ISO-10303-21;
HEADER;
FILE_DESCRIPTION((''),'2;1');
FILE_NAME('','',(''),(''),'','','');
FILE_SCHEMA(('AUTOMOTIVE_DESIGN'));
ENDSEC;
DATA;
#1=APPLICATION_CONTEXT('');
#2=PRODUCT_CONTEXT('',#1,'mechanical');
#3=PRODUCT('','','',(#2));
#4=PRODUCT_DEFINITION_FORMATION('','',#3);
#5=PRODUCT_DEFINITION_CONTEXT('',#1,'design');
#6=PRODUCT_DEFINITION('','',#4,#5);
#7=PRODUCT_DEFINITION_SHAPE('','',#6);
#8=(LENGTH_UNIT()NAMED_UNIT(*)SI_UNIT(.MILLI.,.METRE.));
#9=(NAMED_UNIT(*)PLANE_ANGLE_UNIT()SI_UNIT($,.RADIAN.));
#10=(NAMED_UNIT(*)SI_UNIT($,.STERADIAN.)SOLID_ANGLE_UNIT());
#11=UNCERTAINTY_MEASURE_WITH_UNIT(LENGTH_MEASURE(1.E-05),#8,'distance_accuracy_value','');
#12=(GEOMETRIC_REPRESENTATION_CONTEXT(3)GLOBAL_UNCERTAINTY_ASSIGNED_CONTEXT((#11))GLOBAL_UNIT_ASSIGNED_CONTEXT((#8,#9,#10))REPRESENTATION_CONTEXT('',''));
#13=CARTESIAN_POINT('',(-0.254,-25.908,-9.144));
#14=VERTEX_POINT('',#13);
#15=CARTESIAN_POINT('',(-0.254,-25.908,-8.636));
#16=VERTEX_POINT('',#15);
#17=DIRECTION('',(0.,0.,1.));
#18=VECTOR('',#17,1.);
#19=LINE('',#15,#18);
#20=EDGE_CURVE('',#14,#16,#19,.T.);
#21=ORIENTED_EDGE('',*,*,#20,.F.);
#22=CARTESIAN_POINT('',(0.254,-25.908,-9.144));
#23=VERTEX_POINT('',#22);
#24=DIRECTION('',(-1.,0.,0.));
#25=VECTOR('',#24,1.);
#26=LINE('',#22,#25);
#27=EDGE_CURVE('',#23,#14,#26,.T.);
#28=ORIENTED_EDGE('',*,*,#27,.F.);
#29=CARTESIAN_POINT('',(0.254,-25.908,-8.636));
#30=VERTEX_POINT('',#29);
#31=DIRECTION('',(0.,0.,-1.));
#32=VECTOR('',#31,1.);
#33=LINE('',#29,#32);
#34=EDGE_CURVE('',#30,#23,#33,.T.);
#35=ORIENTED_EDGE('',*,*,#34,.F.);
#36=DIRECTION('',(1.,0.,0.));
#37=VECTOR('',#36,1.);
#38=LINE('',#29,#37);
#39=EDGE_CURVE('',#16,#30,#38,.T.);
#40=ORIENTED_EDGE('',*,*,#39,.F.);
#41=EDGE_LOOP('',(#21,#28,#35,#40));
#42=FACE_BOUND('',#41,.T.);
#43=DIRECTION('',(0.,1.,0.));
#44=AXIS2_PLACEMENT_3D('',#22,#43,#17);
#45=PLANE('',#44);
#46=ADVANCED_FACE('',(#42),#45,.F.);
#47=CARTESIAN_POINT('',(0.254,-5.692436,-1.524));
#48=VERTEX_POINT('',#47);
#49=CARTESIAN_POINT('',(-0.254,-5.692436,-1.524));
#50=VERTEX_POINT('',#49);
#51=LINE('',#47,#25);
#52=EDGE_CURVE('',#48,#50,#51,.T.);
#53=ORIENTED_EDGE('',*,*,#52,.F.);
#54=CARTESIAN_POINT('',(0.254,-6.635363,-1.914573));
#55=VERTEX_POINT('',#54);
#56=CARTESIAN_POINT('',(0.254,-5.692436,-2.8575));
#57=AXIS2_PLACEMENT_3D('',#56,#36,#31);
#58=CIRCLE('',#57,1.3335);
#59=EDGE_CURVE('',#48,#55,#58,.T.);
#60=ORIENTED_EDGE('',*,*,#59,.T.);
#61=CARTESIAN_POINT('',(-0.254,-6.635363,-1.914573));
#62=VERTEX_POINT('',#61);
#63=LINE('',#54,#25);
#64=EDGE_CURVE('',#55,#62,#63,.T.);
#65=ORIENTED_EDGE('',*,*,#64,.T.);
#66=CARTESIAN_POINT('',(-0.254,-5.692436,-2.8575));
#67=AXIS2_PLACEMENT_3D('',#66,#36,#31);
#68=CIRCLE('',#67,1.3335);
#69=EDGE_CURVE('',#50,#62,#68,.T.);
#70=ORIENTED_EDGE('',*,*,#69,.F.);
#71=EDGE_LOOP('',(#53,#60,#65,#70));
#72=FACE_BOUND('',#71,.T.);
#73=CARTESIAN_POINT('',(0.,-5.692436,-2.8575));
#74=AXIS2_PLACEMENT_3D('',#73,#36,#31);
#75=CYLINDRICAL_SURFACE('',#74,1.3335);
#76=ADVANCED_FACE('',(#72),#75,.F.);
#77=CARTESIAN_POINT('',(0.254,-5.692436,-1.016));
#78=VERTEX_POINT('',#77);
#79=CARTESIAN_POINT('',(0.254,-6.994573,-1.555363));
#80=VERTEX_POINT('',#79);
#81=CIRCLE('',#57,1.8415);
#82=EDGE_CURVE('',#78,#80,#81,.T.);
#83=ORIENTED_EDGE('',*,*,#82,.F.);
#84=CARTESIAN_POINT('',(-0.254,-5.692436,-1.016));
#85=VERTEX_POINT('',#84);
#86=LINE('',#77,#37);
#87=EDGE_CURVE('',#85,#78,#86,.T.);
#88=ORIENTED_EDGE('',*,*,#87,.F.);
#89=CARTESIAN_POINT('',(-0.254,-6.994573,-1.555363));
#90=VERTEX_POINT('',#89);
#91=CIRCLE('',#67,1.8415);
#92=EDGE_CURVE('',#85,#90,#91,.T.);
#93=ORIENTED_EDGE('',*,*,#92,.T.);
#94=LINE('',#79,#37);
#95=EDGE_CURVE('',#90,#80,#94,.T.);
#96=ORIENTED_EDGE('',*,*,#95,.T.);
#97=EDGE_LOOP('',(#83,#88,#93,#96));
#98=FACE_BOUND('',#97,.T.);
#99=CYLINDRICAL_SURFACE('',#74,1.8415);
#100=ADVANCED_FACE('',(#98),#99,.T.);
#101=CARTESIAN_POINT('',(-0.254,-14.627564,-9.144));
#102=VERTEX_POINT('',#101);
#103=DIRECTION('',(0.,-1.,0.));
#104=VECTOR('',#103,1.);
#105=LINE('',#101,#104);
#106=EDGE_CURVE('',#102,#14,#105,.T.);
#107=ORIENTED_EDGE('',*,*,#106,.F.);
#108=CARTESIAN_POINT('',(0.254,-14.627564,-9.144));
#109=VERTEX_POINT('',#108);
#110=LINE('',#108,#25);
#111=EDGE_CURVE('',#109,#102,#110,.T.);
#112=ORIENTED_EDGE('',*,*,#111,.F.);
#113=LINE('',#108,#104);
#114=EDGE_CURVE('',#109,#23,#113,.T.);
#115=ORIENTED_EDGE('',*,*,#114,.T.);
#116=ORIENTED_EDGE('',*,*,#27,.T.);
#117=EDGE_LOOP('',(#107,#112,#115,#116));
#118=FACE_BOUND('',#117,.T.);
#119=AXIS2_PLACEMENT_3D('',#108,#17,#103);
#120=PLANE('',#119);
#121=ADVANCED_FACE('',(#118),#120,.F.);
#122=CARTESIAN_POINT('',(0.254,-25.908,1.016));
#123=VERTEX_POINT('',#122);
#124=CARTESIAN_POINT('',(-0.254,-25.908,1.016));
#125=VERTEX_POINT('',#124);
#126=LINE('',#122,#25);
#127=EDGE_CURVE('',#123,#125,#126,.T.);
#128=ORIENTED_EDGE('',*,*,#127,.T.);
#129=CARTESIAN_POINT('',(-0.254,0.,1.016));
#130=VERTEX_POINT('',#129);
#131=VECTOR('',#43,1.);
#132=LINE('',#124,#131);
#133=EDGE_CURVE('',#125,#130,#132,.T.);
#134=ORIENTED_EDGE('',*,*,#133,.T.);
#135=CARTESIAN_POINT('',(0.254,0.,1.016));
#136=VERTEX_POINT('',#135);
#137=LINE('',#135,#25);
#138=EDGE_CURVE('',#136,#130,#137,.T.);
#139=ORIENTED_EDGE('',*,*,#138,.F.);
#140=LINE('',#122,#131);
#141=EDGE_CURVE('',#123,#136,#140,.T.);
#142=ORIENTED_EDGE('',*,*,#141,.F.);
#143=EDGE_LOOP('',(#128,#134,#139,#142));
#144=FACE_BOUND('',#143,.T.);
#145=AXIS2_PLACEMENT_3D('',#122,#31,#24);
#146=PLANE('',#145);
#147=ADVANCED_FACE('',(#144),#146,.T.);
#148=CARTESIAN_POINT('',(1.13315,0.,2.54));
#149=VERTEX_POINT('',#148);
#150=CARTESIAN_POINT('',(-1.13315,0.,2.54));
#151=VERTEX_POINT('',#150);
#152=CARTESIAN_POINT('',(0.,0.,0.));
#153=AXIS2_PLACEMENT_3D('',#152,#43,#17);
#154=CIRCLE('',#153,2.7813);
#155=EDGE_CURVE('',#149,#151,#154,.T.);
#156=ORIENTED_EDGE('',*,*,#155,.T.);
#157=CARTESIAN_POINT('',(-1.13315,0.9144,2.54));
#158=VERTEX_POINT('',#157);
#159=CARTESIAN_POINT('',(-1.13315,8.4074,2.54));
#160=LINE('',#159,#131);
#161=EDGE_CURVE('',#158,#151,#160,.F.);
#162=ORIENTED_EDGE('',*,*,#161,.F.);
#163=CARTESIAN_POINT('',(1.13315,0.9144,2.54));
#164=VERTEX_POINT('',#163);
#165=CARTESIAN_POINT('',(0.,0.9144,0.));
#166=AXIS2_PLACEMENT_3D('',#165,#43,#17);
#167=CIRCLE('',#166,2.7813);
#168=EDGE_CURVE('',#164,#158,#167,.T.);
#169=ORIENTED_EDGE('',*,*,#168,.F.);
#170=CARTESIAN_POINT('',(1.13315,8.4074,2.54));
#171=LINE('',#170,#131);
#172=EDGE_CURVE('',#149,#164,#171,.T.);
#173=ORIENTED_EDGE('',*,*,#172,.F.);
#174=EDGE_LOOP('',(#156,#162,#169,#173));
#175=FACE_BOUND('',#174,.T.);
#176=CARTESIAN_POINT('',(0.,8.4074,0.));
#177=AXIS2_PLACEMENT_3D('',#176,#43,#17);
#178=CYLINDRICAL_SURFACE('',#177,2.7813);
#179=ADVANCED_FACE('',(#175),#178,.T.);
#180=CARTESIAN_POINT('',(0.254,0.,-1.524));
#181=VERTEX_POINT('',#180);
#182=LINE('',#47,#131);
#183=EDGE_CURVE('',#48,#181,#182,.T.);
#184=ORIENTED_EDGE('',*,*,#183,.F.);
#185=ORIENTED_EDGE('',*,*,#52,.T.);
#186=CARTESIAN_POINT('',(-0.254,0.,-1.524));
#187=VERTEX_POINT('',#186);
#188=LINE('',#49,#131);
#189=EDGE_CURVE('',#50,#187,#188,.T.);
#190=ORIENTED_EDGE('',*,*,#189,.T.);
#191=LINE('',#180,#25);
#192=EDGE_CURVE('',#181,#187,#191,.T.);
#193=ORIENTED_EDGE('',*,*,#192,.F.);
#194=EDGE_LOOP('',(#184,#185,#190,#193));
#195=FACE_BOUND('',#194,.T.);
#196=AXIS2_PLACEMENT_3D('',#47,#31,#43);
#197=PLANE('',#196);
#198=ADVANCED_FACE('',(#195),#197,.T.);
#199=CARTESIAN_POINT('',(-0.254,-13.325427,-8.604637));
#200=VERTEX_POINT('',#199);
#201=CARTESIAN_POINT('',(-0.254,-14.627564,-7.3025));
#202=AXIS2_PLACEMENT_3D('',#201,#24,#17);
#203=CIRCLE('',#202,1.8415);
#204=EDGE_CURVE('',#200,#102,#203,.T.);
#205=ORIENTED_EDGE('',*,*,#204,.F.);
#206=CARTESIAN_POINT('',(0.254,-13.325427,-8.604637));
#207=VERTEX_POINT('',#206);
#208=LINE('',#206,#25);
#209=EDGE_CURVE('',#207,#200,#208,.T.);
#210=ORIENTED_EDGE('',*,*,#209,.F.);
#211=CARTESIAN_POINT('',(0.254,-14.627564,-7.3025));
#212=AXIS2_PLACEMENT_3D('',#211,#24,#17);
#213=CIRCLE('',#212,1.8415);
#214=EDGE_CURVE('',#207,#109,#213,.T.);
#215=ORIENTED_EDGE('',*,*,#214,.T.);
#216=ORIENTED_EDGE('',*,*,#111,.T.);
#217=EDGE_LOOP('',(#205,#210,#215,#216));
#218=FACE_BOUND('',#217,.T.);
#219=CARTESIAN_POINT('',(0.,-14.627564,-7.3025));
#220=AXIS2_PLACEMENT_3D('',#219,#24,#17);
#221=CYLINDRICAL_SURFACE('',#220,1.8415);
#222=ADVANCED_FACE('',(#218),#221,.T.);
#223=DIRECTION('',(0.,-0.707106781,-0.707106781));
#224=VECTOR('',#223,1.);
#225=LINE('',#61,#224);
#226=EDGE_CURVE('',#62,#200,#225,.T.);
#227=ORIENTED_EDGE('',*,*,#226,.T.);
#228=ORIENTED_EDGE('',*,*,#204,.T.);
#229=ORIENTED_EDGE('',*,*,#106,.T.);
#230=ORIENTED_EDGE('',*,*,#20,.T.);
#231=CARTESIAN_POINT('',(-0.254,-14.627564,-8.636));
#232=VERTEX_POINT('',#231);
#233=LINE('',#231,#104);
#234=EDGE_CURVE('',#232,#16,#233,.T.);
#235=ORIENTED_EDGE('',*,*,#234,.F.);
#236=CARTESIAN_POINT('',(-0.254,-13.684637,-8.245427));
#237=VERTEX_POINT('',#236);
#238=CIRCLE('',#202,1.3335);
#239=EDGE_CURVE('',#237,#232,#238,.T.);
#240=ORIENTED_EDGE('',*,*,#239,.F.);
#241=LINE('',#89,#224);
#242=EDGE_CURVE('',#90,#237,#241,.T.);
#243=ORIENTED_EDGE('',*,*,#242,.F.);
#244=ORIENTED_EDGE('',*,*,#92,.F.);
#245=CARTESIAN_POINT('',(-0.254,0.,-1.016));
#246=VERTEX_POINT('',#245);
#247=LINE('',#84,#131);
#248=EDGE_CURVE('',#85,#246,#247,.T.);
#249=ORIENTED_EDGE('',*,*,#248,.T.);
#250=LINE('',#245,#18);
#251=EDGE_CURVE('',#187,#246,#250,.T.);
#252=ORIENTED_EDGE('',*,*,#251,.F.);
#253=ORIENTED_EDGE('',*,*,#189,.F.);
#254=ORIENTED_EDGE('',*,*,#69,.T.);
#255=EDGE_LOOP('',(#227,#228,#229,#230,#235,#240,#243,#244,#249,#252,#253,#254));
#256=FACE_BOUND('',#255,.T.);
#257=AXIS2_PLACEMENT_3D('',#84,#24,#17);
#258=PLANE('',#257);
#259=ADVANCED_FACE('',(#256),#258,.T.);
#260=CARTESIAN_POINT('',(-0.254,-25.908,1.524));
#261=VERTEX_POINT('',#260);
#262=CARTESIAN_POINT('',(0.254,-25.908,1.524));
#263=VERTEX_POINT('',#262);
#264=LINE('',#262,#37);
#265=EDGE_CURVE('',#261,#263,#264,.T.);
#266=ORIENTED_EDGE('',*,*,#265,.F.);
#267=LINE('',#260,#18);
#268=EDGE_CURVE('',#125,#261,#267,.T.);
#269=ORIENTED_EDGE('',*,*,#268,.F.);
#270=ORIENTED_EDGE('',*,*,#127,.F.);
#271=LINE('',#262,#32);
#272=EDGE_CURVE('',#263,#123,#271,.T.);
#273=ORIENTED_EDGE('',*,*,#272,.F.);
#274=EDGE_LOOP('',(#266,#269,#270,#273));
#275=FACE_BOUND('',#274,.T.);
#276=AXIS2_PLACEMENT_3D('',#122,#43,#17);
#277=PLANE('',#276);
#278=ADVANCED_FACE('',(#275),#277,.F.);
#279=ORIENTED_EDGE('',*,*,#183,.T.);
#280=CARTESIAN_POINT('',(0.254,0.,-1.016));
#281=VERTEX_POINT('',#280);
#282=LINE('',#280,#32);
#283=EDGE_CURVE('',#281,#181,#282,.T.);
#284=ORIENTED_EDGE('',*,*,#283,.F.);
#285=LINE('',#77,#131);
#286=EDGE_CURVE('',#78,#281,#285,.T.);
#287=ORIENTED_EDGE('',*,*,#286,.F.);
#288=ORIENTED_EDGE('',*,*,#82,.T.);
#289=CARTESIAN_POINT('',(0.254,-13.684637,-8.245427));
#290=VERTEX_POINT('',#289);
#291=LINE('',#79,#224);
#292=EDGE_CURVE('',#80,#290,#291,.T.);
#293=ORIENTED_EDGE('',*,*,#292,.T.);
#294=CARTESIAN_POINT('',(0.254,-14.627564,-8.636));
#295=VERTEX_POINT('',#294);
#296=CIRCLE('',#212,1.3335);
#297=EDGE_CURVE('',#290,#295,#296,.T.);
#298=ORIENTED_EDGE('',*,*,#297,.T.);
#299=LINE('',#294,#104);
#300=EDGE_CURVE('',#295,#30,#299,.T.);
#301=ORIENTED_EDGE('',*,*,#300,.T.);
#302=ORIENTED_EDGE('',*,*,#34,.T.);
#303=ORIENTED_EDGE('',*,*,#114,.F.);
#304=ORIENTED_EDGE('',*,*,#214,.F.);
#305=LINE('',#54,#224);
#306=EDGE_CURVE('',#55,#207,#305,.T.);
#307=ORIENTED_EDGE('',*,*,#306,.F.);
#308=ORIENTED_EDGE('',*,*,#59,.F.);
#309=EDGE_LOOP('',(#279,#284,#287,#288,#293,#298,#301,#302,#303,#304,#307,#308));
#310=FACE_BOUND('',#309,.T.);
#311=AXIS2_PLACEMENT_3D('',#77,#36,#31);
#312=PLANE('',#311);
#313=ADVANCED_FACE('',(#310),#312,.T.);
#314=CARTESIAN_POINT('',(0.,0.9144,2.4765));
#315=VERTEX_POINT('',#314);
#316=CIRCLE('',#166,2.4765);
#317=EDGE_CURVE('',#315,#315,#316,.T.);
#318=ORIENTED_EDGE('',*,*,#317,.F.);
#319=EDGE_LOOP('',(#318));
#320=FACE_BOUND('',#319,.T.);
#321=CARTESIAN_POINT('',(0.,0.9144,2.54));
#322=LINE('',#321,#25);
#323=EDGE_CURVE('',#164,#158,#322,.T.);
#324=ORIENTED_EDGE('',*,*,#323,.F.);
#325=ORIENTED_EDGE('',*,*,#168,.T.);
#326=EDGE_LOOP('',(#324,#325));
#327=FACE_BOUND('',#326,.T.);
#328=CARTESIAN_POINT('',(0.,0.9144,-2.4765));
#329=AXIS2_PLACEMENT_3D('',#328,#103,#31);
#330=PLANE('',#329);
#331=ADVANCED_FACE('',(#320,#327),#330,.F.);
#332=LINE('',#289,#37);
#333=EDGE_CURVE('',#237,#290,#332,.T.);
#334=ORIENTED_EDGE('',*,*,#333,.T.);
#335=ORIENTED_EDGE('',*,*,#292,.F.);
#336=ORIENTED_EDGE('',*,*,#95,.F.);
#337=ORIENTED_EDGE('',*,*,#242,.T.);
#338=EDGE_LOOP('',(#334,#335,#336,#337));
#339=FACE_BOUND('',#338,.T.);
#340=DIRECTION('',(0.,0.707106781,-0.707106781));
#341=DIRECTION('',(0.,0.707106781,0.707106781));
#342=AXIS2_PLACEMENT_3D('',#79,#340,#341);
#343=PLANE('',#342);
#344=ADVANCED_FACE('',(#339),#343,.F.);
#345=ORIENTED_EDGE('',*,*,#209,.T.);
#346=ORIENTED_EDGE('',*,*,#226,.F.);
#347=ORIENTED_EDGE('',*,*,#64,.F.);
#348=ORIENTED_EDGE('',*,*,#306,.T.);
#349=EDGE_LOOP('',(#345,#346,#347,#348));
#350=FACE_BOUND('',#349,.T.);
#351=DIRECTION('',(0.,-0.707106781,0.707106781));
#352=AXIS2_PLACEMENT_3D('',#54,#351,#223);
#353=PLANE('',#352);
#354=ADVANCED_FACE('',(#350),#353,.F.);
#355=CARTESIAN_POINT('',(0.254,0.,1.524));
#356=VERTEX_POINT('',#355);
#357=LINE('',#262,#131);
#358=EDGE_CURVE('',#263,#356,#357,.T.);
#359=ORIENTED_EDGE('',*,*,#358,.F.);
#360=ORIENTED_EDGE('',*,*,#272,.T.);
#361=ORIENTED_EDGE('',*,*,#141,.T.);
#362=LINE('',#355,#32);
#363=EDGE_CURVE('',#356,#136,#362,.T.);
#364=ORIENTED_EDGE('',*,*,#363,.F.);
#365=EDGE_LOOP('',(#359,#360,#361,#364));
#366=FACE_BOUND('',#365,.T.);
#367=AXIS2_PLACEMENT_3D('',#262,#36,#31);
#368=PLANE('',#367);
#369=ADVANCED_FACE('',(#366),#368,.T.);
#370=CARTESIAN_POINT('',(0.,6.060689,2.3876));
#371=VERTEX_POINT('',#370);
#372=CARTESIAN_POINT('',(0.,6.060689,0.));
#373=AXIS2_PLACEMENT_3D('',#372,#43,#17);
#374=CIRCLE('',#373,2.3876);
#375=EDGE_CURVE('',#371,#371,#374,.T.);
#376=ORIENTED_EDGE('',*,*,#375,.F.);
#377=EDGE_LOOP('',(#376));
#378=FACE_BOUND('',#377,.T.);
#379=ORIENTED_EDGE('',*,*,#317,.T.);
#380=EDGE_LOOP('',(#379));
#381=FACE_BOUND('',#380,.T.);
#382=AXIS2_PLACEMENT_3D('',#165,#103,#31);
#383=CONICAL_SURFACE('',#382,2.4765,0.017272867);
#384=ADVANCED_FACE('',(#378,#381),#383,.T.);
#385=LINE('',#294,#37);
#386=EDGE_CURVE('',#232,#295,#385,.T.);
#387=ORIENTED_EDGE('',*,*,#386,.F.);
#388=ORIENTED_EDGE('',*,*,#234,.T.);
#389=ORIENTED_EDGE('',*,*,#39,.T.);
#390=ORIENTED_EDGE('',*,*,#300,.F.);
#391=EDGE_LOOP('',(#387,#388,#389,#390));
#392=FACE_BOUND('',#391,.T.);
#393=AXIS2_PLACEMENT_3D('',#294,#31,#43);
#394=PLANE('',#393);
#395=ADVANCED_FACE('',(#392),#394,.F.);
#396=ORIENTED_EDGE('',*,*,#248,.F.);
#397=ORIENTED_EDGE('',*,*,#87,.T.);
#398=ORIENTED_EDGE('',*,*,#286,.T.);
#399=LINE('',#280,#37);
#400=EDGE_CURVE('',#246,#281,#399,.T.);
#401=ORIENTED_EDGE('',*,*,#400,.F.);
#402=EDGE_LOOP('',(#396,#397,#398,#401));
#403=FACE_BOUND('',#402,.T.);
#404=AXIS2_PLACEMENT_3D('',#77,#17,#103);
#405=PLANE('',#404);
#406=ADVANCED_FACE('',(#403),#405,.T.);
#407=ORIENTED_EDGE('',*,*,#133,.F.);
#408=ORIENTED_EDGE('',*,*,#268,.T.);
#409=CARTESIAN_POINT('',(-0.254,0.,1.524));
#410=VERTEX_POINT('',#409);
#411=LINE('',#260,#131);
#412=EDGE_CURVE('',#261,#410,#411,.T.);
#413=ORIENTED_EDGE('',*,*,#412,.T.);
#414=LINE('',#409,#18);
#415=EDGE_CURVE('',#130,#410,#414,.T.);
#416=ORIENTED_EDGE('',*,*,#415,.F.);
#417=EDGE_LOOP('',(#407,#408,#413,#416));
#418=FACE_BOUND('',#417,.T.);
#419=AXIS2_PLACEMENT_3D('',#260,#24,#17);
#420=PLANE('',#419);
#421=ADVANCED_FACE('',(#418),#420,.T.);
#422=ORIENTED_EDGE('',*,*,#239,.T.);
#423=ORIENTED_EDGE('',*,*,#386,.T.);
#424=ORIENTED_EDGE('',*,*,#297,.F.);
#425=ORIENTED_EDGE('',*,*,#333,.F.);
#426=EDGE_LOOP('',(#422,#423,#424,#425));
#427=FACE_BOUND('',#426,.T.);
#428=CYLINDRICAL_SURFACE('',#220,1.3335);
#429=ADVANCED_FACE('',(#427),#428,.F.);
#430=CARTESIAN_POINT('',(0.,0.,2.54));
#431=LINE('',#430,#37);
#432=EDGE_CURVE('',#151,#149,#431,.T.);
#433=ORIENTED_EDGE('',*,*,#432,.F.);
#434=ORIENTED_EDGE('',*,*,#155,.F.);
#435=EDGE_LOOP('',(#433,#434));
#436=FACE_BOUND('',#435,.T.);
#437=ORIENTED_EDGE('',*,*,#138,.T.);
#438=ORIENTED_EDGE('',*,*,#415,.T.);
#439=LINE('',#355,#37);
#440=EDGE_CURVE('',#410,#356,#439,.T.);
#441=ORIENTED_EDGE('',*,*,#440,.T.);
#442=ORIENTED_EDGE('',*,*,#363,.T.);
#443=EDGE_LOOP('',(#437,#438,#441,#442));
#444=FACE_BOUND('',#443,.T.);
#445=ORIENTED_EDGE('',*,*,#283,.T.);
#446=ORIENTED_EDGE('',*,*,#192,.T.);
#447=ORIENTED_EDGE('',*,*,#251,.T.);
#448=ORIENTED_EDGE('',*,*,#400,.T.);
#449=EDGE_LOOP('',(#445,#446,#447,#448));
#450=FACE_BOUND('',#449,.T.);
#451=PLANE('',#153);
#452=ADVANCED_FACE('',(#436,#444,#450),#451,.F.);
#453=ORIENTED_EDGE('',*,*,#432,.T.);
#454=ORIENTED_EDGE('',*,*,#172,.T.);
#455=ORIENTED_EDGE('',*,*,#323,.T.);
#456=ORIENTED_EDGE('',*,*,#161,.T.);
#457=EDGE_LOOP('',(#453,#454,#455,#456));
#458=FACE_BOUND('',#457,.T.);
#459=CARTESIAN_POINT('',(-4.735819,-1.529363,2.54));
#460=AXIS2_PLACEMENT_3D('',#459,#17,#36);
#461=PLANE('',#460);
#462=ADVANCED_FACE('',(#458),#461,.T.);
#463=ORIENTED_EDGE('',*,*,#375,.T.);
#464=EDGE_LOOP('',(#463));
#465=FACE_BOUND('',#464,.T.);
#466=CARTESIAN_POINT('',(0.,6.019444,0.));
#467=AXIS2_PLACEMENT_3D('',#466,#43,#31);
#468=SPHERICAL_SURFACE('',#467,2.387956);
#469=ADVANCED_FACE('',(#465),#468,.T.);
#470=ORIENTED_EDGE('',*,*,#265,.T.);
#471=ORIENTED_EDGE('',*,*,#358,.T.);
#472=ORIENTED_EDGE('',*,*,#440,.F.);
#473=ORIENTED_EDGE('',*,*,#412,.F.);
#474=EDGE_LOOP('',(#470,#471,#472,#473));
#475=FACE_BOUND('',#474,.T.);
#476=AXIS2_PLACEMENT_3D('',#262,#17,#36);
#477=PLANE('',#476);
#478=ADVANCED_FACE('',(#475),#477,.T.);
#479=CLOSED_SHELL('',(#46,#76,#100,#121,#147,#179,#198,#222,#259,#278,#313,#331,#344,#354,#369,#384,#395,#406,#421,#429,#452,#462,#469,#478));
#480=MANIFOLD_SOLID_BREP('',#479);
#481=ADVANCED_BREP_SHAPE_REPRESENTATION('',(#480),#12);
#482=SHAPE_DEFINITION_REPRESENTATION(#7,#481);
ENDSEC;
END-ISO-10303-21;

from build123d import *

# Parameters (mm, degrees)
SKETCH2_W      = 8.226207469
SKETCH2_H      = 12.781412334
EXTRUDE1_DEPTH = 11.331323155
SKETCH6_W      = 0.508
SKETCH6_H      = 0.508
EXTRUDE2_DEPTH = 25.908
SKETCH7_W      = 0.508
SKETCH7_H      = 0.508


with BuildPart() as part:
    # Sketch1 → Revolve1 (revolve)
    with BuildSketch(Plane(origin=(0, 0, 0), x_dir=(0, 0, -1), z_dir=(1, 0, 0)), mode=Mode.PRIVATE) as revolve1_sk:
        with BuildLine():
            Line((0, 8.4074), (0, 0))
            Line((0, 0), (2.7813, 0))
            Line((2.7813, 0), (2.7813, 0.9144))
            Line((2.7813, 0.9144), (2.4765, 0.9144))
            Line((2.4765, 0.9144), (2.3876, 6.060688583))
            ThreePointArc((2.3876, 6.060688583), (1.67389428, 7.722503628), (0, 8.4074))
        make_face()
    revolve(revolve1_sk.sketch.rotate(Axis((0, 8.4074, 0), (0, -1, 0)), 180), axis=Axis((0, 8.4074, 0), (0, -1, 0)))

    # Sketch2 → Extrude1 (cut, through all)
    with BuildSketch(Plane.XY.offset(2.54)):
        with Locations((-0.622714808, 4.861343099)):
            Rectangle(SKETCH2_W, SKETCH2_H)
    extrude(amount=EXTRUDE1_DEPTH, mode=Mode.SUBTRACT)

    # Sketch6 → Extrude2 (add)
    with BuildSketch(Plane(origin=(0, 0, 0), x_dir=(1, 0, 0), z_dir=(0, 1, 0))):
        with Locations((0, -1.27)):
            Rectangle(SKETCH6_W, SKETCH6_H)
    extrude(amount=-EXTRUDE2_DEPTH)

    # Sweep1: sweep along a path in Sketch5
    with BuildLine(Plane(origin=(0, 0, 0), x_dir=(0, 0, -1), z_dir=(1, 0, 0))) as sweep1_path:
        Line((1.27, 0), (1.27, -5.69243597))
        ThreePointArc((1.27, -5.69243597), (1.390841242, -6.299945919), (1.734967985, -6.814967985))
        Line((1.734967985, -6.814967985), (8.425032015, -13.505032015))
        ThreePointArc((8.425032015, -13.505032015), (8.769158758, -14.020054081), (8.89, -14.62756403))
        Line((8.89, -14.62756403), (8.89, -25.908))
    # Sketch7 → Sweep1 (sweep)
    with BuildSketch(Plane(origin=(0, 0, 0), x_dir=(1, 0, 0), z_dir=(0, 1, 0))):
        with Locations((0, 1.27)):
            Rectangle(SKETCH7_W, SKETCH7_H)
    sweep(path=sweep1_path.line)


solid = part.part
